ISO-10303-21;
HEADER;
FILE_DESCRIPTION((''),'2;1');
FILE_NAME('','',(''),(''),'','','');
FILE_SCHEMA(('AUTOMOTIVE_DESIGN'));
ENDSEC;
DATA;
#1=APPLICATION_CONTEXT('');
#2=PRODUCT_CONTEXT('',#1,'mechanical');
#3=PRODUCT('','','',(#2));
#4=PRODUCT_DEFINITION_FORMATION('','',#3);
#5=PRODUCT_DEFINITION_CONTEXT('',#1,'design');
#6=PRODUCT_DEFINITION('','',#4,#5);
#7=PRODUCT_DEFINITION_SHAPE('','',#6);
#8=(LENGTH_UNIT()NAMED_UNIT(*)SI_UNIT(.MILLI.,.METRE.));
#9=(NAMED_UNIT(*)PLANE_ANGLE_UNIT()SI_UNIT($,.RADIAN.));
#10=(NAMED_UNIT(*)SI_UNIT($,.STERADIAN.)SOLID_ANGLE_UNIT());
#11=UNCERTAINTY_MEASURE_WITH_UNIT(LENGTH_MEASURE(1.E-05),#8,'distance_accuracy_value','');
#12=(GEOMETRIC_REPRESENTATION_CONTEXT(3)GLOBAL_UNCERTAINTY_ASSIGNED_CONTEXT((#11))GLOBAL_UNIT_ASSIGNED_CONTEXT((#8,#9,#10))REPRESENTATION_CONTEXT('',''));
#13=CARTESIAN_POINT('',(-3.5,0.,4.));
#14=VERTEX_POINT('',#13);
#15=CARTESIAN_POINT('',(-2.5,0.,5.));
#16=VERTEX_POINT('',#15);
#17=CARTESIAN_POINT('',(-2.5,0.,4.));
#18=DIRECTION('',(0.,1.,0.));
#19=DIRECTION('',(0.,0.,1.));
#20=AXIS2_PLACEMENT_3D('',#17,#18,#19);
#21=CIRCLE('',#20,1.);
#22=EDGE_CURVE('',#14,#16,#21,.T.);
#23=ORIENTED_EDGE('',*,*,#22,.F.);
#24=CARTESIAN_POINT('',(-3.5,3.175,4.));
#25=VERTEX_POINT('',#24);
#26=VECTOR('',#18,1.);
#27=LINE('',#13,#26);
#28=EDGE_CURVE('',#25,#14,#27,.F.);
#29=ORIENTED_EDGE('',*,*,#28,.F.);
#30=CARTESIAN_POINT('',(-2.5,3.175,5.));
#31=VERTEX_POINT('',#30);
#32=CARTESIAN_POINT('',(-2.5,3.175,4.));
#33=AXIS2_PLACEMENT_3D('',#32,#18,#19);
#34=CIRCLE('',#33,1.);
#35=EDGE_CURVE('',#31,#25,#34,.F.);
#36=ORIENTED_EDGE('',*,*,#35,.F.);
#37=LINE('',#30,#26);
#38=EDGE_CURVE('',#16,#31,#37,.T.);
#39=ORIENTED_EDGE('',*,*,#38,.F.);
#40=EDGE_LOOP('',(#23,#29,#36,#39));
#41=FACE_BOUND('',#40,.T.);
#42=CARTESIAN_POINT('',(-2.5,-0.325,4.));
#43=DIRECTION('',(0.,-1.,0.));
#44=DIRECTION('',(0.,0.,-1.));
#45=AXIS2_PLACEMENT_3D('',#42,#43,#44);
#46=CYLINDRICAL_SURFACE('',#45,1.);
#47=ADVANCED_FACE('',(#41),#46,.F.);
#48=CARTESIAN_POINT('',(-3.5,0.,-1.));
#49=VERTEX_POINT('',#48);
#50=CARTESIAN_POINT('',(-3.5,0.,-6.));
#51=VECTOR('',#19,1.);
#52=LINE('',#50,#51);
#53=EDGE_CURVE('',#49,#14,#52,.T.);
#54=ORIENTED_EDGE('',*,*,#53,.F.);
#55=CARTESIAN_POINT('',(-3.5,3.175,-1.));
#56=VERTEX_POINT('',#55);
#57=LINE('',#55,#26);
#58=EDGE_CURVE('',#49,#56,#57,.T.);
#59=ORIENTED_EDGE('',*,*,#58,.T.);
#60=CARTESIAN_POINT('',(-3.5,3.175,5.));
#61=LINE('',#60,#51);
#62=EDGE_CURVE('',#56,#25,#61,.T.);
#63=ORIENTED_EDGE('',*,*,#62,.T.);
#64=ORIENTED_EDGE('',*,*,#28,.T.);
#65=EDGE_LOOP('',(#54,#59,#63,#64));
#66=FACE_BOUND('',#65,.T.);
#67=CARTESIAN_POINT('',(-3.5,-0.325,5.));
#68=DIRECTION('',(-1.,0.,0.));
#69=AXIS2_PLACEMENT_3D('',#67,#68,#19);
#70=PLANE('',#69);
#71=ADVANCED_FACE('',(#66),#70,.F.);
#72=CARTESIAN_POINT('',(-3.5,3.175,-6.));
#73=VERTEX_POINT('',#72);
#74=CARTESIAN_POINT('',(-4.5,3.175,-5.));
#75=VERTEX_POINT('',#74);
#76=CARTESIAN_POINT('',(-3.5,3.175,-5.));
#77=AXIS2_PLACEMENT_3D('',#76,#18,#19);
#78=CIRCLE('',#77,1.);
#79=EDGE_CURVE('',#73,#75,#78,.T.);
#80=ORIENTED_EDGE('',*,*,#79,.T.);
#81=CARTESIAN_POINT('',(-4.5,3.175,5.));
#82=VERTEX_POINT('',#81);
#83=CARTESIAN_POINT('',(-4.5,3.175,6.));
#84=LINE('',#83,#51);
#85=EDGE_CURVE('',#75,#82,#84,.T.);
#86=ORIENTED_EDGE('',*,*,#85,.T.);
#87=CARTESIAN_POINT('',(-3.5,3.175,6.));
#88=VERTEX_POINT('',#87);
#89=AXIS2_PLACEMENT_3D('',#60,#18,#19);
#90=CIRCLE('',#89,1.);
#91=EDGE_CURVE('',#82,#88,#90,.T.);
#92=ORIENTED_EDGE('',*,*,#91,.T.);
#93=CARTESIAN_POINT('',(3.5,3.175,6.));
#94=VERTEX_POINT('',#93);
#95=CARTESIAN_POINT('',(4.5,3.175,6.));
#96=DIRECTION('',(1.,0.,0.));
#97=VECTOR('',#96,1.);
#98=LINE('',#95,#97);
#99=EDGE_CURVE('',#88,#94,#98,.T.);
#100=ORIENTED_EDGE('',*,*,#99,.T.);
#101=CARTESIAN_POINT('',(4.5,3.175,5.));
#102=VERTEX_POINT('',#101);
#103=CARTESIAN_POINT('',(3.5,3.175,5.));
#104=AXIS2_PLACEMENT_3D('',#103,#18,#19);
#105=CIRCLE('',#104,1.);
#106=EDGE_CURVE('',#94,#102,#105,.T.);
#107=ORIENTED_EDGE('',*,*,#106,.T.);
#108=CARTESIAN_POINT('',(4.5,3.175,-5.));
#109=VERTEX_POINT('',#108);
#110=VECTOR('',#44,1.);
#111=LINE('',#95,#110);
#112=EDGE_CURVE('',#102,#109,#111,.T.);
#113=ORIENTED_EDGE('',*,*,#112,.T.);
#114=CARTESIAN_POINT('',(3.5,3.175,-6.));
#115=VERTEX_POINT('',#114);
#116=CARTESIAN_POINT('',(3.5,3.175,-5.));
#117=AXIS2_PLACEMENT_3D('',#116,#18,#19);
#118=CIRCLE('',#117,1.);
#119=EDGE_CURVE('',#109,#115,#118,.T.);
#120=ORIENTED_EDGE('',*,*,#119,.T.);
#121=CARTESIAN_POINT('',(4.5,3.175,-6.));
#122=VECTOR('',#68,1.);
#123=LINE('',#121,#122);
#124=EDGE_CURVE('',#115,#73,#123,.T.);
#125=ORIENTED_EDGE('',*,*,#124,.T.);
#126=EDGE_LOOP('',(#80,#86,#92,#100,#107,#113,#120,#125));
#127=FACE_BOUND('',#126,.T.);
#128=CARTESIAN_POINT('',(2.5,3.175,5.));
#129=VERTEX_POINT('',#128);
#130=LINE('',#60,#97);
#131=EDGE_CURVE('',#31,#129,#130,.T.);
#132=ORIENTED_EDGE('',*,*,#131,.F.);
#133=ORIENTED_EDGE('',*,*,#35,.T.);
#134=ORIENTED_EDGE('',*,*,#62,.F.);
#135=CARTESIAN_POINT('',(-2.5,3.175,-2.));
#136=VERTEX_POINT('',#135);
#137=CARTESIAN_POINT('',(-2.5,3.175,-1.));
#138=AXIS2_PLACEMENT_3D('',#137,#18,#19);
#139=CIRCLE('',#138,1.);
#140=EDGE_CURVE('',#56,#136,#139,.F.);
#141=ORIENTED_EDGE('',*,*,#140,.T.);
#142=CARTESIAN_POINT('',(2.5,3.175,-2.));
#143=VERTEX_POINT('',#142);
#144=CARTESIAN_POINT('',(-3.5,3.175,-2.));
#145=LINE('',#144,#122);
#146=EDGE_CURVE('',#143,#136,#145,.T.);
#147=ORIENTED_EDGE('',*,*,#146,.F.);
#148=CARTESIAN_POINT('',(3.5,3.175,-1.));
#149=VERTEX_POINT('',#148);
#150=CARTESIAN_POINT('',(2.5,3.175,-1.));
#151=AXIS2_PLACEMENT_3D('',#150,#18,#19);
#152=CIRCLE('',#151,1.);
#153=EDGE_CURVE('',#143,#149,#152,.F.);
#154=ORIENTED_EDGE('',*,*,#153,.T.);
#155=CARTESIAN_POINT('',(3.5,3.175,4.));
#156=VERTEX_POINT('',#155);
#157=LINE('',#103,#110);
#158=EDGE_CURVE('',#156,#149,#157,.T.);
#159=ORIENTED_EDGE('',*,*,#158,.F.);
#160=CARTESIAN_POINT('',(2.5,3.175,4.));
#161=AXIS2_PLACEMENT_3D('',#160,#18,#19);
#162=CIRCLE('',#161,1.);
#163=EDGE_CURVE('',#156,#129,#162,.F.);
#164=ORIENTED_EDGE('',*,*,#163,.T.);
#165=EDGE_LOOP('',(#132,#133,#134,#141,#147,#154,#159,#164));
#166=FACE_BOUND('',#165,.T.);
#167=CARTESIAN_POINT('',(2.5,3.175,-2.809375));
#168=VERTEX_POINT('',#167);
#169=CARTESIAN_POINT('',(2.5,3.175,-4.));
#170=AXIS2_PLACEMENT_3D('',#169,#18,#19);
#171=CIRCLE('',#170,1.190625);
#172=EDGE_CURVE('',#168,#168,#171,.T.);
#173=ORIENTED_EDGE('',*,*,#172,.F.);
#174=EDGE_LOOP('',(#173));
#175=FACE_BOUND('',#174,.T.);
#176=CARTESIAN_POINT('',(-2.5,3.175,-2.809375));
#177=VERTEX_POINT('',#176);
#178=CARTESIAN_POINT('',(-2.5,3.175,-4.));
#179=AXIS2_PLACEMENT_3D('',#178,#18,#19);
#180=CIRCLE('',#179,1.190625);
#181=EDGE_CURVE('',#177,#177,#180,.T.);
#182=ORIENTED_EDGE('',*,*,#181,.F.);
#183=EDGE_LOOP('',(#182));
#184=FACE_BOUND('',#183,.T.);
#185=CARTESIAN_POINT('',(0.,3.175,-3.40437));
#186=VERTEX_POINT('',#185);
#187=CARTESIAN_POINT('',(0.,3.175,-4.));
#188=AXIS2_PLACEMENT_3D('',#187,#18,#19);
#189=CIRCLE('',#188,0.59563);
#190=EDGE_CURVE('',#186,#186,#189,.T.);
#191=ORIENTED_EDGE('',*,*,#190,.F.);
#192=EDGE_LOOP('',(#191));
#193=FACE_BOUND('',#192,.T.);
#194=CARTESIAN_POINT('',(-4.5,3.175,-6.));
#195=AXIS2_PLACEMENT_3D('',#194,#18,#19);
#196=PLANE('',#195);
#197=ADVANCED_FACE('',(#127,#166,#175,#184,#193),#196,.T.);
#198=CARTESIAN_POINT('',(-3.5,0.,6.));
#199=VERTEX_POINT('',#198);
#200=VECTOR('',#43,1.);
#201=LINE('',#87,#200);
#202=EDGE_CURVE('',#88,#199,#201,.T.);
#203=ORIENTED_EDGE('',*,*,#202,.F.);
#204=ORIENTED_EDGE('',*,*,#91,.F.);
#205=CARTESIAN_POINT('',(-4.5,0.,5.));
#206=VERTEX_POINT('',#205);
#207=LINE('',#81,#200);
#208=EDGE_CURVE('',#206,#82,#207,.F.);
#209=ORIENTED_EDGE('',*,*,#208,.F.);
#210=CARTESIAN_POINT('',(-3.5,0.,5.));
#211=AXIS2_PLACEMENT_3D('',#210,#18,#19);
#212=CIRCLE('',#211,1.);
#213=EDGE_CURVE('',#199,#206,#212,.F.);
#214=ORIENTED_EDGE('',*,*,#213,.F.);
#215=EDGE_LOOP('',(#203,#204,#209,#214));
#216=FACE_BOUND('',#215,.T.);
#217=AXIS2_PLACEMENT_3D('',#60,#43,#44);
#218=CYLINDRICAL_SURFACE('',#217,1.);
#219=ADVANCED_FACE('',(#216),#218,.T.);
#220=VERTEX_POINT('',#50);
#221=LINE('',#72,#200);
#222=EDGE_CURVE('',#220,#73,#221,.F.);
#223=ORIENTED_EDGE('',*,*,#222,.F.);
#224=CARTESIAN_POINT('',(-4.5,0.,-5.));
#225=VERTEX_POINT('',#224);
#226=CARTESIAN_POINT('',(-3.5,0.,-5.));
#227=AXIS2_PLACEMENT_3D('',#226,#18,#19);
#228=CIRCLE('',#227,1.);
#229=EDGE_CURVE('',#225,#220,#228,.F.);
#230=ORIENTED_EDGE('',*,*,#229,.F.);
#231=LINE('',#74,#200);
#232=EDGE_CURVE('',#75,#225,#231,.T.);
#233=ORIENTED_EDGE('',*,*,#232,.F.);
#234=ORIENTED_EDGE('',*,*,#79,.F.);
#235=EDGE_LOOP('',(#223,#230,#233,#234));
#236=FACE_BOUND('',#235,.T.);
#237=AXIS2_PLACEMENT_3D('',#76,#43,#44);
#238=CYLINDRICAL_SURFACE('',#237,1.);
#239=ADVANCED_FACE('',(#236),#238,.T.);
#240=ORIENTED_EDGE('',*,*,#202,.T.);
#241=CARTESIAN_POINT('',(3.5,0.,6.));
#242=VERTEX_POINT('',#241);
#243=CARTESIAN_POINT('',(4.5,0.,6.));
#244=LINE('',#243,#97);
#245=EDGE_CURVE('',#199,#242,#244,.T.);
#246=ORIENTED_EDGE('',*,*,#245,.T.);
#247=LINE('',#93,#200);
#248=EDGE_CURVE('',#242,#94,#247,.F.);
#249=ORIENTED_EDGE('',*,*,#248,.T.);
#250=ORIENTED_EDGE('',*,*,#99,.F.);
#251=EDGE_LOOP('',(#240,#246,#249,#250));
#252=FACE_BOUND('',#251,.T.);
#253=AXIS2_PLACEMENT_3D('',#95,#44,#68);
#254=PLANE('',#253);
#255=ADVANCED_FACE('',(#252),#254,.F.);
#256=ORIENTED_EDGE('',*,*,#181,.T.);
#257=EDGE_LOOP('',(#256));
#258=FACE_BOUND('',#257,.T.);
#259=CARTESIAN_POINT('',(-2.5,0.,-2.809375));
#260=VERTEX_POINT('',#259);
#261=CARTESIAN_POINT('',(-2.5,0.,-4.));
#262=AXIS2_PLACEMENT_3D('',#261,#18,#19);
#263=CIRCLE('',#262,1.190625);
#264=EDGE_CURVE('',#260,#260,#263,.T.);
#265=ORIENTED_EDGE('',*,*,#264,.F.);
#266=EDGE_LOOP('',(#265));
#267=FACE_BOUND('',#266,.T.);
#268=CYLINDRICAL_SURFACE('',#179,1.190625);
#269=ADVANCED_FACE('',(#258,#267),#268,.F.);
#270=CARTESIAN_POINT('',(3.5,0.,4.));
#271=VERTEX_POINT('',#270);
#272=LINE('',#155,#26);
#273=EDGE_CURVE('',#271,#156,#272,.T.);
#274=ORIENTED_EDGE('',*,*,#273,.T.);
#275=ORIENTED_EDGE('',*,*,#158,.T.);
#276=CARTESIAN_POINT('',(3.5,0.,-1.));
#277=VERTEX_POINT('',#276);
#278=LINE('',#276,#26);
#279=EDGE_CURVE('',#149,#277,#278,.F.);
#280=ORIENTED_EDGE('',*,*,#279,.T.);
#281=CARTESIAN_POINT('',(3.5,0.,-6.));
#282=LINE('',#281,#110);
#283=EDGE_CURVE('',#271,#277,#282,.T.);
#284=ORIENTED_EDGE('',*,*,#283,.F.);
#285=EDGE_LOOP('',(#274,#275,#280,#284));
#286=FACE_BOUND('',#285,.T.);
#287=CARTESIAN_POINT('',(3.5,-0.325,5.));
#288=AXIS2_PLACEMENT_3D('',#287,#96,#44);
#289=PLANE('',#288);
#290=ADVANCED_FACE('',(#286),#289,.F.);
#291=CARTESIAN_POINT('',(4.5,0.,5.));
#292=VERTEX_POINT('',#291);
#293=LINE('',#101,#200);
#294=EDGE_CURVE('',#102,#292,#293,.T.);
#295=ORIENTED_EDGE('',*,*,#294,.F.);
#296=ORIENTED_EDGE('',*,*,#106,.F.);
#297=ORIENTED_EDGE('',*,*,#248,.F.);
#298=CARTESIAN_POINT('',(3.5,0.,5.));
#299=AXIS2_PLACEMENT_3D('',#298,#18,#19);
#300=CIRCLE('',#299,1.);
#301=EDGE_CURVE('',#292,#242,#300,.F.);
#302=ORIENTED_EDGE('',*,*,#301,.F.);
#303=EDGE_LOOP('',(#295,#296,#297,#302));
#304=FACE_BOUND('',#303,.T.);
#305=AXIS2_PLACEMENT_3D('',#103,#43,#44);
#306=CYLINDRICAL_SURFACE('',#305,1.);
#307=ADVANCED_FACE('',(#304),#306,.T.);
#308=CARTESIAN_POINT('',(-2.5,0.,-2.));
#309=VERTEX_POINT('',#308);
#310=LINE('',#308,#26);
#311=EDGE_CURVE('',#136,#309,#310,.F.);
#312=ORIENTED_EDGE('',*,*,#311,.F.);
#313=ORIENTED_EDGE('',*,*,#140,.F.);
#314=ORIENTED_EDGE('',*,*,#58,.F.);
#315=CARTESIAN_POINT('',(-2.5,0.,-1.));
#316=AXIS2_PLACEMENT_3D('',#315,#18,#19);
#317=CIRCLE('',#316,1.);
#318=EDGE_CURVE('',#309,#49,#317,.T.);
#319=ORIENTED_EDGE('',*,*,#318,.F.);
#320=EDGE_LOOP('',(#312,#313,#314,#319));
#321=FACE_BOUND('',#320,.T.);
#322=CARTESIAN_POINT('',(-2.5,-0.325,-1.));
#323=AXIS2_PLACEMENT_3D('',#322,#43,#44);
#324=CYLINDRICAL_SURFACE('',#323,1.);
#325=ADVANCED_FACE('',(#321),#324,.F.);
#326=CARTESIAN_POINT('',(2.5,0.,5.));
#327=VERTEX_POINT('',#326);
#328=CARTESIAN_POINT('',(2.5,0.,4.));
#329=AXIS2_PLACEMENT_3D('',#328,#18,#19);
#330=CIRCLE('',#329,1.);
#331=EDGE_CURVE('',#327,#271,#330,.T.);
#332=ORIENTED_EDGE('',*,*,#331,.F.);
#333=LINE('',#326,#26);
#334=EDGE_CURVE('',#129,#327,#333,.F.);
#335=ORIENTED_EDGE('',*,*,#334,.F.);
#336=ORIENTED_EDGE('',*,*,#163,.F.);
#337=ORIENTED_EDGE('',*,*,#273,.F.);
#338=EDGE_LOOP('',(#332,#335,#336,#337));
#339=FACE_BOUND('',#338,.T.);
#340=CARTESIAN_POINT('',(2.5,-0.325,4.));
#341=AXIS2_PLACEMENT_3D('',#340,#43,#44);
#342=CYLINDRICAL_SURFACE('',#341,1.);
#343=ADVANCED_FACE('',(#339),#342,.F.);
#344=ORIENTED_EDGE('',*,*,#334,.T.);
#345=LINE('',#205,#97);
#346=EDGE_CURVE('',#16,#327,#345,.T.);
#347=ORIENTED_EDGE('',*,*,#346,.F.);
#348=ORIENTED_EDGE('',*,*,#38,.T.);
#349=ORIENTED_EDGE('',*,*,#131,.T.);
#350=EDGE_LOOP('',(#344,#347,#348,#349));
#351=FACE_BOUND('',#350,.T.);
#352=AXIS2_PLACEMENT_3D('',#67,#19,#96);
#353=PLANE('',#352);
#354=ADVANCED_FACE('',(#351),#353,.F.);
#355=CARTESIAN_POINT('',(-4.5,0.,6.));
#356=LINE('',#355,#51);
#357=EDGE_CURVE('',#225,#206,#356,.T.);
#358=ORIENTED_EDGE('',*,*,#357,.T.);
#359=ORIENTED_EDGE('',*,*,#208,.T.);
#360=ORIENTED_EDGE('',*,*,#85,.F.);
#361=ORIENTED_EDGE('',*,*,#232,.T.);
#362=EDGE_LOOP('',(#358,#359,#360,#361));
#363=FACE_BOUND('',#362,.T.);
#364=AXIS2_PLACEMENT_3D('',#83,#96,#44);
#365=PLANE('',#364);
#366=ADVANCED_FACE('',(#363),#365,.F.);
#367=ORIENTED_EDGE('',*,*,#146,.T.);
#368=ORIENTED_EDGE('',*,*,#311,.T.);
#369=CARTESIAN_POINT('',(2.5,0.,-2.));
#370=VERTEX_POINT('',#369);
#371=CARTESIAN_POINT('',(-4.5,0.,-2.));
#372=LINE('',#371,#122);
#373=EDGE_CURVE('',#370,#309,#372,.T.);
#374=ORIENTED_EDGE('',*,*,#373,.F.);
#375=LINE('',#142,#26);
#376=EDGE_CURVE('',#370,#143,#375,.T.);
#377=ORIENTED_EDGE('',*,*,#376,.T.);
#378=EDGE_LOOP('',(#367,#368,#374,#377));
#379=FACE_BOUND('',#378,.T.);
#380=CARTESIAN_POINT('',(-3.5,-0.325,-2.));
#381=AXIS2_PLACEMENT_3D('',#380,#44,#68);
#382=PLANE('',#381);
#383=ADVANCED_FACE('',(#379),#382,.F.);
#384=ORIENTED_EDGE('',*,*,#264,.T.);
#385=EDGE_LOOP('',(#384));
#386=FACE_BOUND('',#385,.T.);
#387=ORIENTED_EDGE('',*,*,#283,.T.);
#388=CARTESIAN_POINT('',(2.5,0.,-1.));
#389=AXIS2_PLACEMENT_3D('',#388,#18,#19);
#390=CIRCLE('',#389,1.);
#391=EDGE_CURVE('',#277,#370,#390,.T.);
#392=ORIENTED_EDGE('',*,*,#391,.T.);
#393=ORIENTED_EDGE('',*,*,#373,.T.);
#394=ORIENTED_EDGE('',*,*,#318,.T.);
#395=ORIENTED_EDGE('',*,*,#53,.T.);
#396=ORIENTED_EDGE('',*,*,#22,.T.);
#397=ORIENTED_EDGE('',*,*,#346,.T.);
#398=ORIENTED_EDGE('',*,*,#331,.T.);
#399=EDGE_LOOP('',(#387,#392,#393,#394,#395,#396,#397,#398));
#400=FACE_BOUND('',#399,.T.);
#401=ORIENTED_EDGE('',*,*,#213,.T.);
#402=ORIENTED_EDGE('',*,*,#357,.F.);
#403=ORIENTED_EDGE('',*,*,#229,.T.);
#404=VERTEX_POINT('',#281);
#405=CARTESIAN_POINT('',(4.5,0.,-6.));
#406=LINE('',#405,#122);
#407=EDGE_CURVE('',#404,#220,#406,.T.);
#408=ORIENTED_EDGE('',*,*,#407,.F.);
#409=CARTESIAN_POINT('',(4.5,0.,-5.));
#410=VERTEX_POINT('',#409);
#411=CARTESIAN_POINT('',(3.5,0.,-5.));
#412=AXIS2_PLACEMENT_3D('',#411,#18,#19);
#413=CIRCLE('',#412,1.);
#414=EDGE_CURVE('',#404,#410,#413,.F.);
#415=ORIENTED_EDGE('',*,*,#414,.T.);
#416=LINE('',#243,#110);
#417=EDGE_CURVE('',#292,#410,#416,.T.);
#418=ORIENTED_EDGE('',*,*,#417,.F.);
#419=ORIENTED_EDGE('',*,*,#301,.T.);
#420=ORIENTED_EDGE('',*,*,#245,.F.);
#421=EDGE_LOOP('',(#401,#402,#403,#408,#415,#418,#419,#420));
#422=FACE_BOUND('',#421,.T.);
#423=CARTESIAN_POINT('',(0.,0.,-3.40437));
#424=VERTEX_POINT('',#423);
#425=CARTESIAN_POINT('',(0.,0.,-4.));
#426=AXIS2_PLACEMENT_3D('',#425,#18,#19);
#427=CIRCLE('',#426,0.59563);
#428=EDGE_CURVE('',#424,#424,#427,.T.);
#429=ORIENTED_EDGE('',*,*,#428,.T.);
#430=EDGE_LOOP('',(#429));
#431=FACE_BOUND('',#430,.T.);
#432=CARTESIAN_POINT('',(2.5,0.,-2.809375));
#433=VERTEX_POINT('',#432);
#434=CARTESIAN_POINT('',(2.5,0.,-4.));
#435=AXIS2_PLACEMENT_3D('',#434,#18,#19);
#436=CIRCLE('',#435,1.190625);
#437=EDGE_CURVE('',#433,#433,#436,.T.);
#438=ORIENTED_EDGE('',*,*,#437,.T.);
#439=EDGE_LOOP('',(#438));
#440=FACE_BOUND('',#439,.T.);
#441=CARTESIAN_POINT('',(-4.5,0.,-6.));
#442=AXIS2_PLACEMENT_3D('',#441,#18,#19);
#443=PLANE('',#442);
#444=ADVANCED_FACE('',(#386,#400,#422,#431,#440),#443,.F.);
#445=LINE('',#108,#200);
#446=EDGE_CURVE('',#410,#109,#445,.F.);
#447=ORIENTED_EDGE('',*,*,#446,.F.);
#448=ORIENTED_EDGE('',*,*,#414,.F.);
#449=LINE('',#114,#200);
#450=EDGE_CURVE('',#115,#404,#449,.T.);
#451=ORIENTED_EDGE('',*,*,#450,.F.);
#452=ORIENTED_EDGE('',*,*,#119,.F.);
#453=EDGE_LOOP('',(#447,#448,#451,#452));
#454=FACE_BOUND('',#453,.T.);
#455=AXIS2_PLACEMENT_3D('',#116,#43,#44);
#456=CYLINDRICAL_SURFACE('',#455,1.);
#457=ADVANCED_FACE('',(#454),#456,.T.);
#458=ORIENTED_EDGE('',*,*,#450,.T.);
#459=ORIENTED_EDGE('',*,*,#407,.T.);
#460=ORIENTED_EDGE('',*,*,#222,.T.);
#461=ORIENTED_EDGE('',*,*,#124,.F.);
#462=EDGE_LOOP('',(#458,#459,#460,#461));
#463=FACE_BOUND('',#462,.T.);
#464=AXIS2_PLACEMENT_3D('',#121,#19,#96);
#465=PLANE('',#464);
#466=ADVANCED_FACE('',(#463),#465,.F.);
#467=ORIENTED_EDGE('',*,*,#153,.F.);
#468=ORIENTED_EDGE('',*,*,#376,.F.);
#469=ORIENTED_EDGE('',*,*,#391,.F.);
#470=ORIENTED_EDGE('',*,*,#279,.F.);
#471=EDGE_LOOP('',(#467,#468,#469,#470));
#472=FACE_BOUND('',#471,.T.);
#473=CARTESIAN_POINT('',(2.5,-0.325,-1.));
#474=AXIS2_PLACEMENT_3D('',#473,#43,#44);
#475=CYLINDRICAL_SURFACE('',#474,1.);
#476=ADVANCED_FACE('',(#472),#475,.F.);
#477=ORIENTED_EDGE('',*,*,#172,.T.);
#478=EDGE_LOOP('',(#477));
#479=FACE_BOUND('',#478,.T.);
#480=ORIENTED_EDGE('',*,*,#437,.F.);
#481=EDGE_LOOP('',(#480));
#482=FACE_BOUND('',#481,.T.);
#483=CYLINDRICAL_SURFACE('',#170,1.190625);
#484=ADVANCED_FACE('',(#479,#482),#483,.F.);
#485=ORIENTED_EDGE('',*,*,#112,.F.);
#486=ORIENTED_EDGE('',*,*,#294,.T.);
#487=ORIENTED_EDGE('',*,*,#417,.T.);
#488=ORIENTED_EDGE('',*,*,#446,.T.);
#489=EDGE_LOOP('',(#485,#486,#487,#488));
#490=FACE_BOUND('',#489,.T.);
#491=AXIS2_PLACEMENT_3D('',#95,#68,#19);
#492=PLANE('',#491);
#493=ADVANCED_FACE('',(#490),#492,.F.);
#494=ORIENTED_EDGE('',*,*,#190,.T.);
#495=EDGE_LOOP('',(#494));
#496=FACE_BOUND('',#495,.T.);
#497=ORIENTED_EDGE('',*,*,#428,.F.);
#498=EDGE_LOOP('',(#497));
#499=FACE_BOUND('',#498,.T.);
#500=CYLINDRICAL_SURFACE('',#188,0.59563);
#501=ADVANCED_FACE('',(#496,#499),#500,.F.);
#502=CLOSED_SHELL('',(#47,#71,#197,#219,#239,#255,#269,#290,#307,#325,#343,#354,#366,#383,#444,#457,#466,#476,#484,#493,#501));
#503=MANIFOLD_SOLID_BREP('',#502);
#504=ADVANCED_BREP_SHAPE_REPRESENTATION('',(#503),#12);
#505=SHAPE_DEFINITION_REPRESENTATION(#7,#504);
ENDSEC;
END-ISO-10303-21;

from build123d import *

# Parameters (mm, degrees)
SKETCH1_W                           = 9
SKETCH1_H                           = 12
EXTRUDE1_DEPTH                      = 3.175
SKETCH2_W                           = 7
SKETCH2_H                           = 7
EXTRUDE2_DEPTH                      = 3.5
F_0_80_TAPPED_HOLE1_D               = 1.19126
F_0_80_TAPPED_HOLE1_DEPTH           = 4
F_0_80_TAPPED_HOLE1_TIP             = 0.357890611
F_3_32_0_09375_DIAMETER_HOLE1_D     = 2.38125
F_3_32_0_09375_DIAMETER_HOLE1_DEPTH = 10
F_3_32_0_09375_DIAMETER_HOLE1_TIP   = 0.715399675
FILLET7_R                           = 1


with BuildPart() as part:
    # Sketch1 → Extrude1 (new body)
    with BuildSketch(Plane(origin=(0, 0, 0), x_dir=(1, 0, 0), z_dir=(0, 1, 0))):
        Rectangle(SKETCH1_W, SKETCH1_H)
    extrude(amount=EXTRUDE1_DEPTH)

    # Sketch2 → Extrude2 (cut)
    with BuildSketch(Plane(origin=(0, 3.175, 0), x_dir=(1, 0, 0), z_dir=(0, 1, 0))):
        with Locations((0, -1.5)):
            Rectangle(SKETCH2_W, SKETCH2_H)
    extrude(amount=-EXTRUDE2_DEPTH, mode=Mode.SUBTRACT)

    # #0-80 Tapped Hole1
    with Locations(Plane(origin=(0, 3.175, -4), x_dir=(0, 0, 1), z_dir=(0, 1, 0))):
        with Locations((0, 0)):
            Hole(F_0_80_TAPPED_HOLE1_D / 2, depth=F_0_80_TAPPED_HOLE1_DEPTH)
            with Locations((0, 0, -(F_0_80_TAPPED_HOLE1_DEPTH + F_0_80_TAPPED_HOLE1_TIP / 2))):  # 118° drill point
                Cone(0, F_0_80_TAPPED_HOLE1_D / 2, F_0_80_TAPPED_HOLE1_TIP, mode=Mode.SUBTRACT)

    # 3/32 (0.09375) Diameter Hole1
    with Locations(Plane(origin=(-2.5, 3.175, -4), x_dir=(0, 0, 1), z_dir=(0, 1, 0))):
        with Locations((0, 0), (0, 5)):
            Hole(F_3_32_0_09375_DIAMETER_HOLE1_D / 2, depth=F_3_32_0_09375_DIAMETER_HOLE1_DEPTH)
            with Locations((0, 0, -(F_3_32_0_09375_DIAMETER_HOLE1_DEPTH + F_3_32_0_09375_DIAMETER_HOLE1_TIP / 2))):  # 118° drill point
                Cone(0, F_3_32_0_09375_DIAMETER_HOLE1_D / 2, F_3_32_0_09375_DIAMETER_HOLE1_TIP, mode=Mode.SUBTRACT)

    # Fillet7
    fillet7_edges = [part.edges().sort_by_distance(p)[0] for p in [
        (-3.5, 1.5875, 5),
        (-3.5, 1.5875, -2),
        (3.5, 1.5875, -2),
        (3.5, 1.5875, 5),
        (-4.5, 1.5875, -6),
        (4.5, 1.5875, -6),
        (4.5, 1.5875, 6),
        (-4.5, 1.5875, 6),
    ]]
    fillet(fillet7_edges, radius=FILLET7_R)


solid = part.part
